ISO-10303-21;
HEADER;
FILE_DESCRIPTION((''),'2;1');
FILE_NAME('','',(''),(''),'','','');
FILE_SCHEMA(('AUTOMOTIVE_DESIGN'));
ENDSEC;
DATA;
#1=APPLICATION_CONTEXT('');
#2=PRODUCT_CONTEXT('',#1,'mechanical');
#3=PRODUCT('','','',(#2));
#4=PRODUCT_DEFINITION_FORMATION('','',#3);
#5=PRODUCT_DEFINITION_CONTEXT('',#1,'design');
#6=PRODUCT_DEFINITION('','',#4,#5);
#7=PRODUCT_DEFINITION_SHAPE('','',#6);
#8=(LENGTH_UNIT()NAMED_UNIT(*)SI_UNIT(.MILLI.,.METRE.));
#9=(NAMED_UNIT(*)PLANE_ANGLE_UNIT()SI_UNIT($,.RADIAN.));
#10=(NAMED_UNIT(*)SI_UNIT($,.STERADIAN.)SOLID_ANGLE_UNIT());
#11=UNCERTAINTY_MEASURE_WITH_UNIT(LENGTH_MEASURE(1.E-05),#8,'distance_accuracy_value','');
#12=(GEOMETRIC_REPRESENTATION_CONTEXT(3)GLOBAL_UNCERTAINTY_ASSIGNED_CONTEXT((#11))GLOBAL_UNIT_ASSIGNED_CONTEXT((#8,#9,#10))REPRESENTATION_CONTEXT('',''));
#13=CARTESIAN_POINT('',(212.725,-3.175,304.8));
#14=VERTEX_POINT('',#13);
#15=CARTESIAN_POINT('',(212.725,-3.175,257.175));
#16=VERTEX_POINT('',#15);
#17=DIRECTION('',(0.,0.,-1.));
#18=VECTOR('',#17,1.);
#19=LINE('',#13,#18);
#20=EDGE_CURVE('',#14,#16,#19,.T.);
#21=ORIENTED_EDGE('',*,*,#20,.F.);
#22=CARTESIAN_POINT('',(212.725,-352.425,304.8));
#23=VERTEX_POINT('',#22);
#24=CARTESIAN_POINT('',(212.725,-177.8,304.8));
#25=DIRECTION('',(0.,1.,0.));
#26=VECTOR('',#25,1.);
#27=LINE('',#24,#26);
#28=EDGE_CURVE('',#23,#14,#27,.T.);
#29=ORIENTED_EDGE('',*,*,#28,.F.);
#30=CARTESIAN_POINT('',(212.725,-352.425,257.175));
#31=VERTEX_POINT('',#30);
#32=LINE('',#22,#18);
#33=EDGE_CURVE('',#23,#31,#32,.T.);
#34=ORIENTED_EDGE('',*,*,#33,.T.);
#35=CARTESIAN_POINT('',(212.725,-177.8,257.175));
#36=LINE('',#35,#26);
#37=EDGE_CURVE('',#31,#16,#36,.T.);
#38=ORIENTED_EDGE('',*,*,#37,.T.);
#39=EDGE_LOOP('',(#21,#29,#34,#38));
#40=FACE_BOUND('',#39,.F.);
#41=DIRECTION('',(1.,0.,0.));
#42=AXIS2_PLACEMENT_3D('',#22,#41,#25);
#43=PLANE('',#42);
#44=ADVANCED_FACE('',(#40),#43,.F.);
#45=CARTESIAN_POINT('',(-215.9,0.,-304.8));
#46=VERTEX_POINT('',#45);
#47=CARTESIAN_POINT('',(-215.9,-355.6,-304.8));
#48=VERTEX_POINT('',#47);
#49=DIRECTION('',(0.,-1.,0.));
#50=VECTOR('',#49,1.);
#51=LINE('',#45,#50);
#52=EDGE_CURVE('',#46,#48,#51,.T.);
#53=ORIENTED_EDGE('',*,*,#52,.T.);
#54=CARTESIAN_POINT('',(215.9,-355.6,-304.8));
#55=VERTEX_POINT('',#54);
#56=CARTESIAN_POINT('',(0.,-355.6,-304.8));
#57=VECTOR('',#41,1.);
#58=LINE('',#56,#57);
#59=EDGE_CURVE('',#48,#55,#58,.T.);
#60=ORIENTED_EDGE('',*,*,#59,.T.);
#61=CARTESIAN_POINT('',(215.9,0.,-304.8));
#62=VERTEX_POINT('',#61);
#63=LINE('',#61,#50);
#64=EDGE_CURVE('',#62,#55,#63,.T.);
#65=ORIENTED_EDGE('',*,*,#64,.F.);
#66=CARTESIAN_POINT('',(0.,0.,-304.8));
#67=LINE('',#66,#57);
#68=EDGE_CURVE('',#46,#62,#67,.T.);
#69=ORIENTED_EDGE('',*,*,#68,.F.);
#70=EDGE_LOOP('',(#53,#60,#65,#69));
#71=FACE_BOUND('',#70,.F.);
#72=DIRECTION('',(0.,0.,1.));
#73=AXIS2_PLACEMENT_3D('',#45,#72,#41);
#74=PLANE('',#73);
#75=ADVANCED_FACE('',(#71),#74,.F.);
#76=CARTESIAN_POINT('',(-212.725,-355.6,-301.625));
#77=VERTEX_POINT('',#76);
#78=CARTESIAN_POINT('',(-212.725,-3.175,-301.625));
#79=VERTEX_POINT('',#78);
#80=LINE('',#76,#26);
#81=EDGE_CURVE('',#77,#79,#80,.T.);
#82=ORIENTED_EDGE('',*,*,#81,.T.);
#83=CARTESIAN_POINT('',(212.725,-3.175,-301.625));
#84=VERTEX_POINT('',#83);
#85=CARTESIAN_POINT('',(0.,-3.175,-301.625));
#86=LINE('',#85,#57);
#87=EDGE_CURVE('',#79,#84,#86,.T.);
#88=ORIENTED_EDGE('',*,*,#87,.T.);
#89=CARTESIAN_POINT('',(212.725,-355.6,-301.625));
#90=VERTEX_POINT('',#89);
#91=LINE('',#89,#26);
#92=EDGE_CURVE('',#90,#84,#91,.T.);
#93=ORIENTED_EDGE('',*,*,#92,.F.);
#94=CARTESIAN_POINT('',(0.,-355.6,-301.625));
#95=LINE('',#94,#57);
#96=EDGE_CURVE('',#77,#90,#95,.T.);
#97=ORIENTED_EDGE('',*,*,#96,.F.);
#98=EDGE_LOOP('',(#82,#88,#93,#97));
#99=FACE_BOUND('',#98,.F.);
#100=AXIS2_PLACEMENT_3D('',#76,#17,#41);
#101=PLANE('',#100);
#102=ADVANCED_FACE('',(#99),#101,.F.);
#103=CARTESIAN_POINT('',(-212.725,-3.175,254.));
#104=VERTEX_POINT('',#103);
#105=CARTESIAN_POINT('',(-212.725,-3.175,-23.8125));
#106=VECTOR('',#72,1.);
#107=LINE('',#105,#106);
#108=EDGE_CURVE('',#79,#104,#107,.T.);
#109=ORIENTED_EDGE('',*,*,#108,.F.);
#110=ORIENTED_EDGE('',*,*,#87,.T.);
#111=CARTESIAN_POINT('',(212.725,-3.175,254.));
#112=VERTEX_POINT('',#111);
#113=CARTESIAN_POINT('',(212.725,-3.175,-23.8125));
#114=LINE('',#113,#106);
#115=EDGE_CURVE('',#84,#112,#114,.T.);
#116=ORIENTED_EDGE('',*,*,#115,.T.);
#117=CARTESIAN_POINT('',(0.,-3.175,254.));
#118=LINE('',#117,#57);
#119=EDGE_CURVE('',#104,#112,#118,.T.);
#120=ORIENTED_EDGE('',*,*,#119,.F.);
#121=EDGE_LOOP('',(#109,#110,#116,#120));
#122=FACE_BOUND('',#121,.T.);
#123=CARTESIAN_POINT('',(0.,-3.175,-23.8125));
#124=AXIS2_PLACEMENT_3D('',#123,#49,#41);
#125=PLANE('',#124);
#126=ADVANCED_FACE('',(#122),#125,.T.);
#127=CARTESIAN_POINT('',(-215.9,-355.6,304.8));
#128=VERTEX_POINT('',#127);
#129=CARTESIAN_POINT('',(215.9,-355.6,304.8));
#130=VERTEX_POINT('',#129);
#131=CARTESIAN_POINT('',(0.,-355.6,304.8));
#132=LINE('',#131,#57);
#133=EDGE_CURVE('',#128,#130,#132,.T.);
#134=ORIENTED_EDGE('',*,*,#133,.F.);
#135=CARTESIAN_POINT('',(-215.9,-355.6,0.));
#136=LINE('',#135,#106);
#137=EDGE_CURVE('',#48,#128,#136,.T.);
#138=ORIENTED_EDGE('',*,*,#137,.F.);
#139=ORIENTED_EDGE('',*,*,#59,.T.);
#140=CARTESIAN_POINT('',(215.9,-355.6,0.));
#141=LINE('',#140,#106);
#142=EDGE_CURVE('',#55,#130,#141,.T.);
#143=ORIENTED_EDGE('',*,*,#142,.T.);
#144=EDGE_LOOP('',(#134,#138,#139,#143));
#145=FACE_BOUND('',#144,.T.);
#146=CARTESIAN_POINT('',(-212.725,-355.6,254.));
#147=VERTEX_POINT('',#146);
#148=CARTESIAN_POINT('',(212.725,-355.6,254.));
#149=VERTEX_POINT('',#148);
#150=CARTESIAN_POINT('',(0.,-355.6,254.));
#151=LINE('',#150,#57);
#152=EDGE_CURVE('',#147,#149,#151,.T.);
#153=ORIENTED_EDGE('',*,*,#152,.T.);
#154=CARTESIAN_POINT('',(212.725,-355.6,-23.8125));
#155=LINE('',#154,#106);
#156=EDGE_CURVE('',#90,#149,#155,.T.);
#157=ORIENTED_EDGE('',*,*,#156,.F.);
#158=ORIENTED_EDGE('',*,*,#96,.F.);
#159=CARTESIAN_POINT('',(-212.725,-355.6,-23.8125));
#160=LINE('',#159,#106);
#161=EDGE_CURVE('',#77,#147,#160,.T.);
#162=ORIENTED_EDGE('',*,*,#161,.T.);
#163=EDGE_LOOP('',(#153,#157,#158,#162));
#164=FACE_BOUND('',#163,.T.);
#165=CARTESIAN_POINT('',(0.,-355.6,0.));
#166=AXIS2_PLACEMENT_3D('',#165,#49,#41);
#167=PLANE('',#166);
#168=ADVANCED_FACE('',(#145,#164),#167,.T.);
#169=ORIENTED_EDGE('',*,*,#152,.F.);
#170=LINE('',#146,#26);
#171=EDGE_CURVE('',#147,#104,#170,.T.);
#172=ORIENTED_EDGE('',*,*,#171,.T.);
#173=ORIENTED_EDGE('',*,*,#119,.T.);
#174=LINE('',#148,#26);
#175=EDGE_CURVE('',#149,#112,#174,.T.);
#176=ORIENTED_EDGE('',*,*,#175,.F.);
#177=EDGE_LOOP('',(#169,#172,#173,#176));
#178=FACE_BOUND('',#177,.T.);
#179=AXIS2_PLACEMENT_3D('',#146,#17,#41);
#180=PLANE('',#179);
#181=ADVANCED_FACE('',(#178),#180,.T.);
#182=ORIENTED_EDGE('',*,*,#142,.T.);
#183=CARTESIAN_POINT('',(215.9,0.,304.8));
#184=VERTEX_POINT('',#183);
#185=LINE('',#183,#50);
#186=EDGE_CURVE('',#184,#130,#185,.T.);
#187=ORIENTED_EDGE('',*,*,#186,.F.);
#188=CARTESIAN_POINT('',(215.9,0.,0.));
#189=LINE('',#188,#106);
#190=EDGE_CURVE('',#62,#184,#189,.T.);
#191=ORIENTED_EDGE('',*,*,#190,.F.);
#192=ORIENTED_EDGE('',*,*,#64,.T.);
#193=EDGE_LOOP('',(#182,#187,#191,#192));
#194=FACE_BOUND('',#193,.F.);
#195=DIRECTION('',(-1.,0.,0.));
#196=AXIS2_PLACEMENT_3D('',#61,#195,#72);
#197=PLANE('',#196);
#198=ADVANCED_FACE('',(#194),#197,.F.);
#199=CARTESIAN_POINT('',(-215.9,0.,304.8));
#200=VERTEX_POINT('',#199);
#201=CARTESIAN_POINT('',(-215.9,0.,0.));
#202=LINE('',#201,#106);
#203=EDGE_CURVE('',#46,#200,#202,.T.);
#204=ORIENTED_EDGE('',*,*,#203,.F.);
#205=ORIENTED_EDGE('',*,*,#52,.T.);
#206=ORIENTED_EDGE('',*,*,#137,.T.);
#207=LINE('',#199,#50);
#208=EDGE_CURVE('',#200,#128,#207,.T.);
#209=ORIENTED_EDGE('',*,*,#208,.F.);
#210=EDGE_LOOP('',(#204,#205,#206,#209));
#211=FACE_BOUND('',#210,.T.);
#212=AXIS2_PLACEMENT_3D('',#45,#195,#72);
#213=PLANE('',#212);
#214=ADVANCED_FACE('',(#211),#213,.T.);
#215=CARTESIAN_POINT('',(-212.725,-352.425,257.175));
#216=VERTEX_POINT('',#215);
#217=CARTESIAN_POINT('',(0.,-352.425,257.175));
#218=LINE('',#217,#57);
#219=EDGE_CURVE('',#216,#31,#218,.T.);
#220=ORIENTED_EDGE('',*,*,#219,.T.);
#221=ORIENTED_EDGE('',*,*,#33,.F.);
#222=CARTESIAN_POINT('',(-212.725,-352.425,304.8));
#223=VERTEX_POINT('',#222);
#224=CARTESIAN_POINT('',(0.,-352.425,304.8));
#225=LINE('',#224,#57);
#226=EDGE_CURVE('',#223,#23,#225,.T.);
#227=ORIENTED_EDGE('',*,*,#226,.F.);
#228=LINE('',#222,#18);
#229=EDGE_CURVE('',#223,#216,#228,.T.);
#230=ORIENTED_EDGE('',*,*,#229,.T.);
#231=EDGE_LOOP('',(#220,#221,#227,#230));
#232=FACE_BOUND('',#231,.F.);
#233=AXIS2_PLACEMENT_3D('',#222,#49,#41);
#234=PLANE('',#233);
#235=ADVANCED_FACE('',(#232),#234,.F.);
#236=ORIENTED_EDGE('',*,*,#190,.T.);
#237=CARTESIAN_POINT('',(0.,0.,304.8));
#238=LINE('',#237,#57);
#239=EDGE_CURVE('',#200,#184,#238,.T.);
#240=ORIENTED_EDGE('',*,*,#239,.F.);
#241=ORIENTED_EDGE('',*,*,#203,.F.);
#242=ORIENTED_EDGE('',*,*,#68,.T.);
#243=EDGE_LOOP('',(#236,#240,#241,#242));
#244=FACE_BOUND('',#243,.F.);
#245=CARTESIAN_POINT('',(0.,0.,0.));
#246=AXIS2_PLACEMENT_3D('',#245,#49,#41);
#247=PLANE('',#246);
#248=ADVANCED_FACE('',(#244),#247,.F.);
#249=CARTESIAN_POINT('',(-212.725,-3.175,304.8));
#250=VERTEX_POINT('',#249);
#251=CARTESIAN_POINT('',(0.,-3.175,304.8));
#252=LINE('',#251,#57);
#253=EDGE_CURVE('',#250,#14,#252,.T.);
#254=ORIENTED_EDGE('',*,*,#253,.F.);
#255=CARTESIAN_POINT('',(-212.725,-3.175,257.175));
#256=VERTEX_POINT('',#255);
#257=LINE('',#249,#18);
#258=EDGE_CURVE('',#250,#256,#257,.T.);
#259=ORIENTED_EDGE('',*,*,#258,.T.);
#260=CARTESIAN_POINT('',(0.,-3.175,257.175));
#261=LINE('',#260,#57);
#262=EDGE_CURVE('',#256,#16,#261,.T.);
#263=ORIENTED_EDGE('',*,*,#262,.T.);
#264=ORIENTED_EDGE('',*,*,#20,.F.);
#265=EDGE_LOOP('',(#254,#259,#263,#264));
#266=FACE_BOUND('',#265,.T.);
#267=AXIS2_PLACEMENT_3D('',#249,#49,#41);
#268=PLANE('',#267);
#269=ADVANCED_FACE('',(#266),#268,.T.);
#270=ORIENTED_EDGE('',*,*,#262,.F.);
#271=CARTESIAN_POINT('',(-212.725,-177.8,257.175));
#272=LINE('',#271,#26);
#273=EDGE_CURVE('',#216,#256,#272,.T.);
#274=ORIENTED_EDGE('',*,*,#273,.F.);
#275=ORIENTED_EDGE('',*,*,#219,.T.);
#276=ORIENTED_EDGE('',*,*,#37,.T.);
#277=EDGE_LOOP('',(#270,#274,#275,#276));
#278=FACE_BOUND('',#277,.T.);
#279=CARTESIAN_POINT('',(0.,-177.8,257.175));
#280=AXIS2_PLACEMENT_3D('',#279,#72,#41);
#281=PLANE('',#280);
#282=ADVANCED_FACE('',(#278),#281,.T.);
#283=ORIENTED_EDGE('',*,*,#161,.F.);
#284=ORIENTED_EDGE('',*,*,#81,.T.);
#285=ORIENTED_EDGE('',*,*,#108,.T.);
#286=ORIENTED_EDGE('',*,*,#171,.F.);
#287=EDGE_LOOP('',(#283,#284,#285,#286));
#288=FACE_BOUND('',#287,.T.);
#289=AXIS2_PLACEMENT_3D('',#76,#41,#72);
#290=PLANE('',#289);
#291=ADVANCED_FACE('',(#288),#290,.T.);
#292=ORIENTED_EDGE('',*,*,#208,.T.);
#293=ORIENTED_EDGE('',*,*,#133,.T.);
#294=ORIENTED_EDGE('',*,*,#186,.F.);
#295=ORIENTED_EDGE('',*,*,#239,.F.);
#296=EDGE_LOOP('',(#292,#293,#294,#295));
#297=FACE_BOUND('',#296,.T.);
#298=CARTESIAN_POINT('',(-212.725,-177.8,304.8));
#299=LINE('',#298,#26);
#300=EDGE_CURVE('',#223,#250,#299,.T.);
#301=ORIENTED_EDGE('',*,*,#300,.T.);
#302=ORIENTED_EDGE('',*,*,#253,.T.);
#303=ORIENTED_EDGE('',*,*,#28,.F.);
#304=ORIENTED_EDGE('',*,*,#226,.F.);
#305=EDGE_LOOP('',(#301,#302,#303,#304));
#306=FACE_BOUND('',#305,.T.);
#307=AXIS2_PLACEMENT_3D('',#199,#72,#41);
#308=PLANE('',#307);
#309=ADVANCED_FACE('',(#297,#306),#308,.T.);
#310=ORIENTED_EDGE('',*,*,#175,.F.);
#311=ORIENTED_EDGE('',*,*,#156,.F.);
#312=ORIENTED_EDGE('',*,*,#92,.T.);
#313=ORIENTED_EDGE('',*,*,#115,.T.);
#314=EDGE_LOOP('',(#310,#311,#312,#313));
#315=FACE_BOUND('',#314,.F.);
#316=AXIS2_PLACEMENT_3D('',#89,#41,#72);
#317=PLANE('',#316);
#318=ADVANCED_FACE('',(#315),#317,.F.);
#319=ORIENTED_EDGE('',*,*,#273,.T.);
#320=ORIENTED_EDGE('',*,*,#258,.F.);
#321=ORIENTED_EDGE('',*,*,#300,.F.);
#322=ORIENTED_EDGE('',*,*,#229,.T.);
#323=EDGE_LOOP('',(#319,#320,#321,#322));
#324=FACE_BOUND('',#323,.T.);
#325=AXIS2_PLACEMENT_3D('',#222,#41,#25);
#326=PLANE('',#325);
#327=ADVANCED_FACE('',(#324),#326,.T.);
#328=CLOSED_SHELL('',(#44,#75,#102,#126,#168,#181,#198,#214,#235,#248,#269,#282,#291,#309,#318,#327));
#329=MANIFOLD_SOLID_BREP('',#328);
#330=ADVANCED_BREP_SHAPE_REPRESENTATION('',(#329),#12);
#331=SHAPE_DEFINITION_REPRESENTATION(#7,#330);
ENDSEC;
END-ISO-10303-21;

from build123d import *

# Parameters (mm, degrees)
F0_W     = 431.8
F0_H     = 609.6
F1_DEPTH = 355.6
F2_W     = 425.45
F2_H     = 555.625
F3_DEPTH = 352.425
F4_W     = 425.45
F4_H     = 349.25
F5_DEPTH = 47.625


with BuildPart() as f1:
    # F0 (on Front) → F1 (new body)
    with BuildSketch(Plane.XZ):
        Rectangle(F0_W, F0_H)
    extrude(amount=F1_DEPTH)

    # F2 (on face) → F3 (cut)
    with BuildSketch(Plane.XZ.offset(355.6)):
        with Locations((0, -23.8125)):
            Rectangle(F2_W, F2_H)
    extrude(amount=-F3_DEPTH, mode=Mode.SUBTRACT)

    # F4 (on face) → F5 (cut)
    with BuildSketch(Plane.XY.offset(304.8)):
        with Locations((0, -177.8)):
            Rectangle(F4_W, F4_H)
    extrude(amount=-F5_DEPTH, mode=Mode.SUBTRACT)


solid = f1.part
